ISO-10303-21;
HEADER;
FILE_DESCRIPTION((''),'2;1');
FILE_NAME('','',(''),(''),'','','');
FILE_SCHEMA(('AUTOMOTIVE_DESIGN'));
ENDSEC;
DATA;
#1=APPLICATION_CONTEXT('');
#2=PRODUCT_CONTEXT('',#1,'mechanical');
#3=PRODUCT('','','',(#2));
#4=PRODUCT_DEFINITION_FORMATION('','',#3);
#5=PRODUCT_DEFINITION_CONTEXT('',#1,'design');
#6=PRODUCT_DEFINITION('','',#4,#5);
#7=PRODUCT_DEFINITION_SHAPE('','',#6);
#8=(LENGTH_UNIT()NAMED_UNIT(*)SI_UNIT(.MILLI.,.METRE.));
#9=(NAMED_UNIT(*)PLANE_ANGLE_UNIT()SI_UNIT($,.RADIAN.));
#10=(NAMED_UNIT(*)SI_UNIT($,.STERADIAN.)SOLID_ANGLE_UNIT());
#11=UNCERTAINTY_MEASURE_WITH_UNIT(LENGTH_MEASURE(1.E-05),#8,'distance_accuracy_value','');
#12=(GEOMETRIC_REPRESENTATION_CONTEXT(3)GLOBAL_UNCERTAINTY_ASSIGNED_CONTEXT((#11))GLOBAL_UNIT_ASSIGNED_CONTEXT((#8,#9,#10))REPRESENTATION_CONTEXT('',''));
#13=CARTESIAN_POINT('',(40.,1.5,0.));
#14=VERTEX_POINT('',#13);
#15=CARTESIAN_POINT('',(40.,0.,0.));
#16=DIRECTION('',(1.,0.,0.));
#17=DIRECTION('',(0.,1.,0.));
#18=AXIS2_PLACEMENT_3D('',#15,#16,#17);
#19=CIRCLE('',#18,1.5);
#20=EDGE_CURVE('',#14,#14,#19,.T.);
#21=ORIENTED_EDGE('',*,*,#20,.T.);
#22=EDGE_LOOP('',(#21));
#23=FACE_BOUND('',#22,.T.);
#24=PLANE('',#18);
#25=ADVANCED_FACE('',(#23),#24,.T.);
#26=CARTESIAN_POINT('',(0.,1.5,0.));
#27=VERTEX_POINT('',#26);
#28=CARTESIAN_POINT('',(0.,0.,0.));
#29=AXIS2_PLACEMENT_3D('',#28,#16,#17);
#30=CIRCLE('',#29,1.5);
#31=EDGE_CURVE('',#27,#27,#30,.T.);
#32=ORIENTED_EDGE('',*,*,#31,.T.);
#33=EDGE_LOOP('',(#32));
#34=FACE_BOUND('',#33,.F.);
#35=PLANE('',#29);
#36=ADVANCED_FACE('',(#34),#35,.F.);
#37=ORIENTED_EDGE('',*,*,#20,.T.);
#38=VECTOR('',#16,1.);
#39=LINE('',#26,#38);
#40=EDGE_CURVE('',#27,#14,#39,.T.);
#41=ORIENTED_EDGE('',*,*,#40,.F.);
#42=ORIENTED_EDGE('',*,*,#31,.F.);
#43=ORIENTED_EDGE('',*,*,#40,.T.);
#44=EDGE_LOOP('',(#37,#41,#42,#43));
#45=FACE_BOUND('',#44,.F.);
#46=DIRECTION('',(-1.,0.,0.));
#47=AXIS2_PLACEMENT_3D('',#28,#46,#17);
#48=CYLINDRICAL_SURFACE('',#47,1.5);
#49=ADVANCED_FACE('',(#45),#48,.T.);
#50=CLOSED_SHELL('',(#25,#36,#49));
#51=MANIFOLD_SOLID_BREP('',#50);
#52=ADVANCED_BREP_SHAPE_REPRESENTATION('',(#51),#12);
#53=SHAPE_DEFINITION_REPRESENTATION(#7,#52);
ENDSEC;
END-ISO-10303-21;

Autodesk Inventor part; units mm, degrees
ref_plane "YZ Plane" through (0, 0, 0) normal (1, 0, 0) x (0, 1, 0)
ref_plane "XZ Plane" through (0, 0, 0) normal (0, 1, 0) x (-1, 0, 0)
ref_plane "XY Plane" through (0, 0, 0) normal (0, 0, 1) x (1, 0, 0)
sketch "スケッチ1" plane through (0, 0, 0) normal (1, 0, 0) x (0, 1, 0)
  circle A0 centre (0, 0) radius 1.5
  dimension "d0" = 3
extrude "押し出し1" add sketch "スケッチ1" along normal blind 40
properties part number "Shaft_3xh7"
